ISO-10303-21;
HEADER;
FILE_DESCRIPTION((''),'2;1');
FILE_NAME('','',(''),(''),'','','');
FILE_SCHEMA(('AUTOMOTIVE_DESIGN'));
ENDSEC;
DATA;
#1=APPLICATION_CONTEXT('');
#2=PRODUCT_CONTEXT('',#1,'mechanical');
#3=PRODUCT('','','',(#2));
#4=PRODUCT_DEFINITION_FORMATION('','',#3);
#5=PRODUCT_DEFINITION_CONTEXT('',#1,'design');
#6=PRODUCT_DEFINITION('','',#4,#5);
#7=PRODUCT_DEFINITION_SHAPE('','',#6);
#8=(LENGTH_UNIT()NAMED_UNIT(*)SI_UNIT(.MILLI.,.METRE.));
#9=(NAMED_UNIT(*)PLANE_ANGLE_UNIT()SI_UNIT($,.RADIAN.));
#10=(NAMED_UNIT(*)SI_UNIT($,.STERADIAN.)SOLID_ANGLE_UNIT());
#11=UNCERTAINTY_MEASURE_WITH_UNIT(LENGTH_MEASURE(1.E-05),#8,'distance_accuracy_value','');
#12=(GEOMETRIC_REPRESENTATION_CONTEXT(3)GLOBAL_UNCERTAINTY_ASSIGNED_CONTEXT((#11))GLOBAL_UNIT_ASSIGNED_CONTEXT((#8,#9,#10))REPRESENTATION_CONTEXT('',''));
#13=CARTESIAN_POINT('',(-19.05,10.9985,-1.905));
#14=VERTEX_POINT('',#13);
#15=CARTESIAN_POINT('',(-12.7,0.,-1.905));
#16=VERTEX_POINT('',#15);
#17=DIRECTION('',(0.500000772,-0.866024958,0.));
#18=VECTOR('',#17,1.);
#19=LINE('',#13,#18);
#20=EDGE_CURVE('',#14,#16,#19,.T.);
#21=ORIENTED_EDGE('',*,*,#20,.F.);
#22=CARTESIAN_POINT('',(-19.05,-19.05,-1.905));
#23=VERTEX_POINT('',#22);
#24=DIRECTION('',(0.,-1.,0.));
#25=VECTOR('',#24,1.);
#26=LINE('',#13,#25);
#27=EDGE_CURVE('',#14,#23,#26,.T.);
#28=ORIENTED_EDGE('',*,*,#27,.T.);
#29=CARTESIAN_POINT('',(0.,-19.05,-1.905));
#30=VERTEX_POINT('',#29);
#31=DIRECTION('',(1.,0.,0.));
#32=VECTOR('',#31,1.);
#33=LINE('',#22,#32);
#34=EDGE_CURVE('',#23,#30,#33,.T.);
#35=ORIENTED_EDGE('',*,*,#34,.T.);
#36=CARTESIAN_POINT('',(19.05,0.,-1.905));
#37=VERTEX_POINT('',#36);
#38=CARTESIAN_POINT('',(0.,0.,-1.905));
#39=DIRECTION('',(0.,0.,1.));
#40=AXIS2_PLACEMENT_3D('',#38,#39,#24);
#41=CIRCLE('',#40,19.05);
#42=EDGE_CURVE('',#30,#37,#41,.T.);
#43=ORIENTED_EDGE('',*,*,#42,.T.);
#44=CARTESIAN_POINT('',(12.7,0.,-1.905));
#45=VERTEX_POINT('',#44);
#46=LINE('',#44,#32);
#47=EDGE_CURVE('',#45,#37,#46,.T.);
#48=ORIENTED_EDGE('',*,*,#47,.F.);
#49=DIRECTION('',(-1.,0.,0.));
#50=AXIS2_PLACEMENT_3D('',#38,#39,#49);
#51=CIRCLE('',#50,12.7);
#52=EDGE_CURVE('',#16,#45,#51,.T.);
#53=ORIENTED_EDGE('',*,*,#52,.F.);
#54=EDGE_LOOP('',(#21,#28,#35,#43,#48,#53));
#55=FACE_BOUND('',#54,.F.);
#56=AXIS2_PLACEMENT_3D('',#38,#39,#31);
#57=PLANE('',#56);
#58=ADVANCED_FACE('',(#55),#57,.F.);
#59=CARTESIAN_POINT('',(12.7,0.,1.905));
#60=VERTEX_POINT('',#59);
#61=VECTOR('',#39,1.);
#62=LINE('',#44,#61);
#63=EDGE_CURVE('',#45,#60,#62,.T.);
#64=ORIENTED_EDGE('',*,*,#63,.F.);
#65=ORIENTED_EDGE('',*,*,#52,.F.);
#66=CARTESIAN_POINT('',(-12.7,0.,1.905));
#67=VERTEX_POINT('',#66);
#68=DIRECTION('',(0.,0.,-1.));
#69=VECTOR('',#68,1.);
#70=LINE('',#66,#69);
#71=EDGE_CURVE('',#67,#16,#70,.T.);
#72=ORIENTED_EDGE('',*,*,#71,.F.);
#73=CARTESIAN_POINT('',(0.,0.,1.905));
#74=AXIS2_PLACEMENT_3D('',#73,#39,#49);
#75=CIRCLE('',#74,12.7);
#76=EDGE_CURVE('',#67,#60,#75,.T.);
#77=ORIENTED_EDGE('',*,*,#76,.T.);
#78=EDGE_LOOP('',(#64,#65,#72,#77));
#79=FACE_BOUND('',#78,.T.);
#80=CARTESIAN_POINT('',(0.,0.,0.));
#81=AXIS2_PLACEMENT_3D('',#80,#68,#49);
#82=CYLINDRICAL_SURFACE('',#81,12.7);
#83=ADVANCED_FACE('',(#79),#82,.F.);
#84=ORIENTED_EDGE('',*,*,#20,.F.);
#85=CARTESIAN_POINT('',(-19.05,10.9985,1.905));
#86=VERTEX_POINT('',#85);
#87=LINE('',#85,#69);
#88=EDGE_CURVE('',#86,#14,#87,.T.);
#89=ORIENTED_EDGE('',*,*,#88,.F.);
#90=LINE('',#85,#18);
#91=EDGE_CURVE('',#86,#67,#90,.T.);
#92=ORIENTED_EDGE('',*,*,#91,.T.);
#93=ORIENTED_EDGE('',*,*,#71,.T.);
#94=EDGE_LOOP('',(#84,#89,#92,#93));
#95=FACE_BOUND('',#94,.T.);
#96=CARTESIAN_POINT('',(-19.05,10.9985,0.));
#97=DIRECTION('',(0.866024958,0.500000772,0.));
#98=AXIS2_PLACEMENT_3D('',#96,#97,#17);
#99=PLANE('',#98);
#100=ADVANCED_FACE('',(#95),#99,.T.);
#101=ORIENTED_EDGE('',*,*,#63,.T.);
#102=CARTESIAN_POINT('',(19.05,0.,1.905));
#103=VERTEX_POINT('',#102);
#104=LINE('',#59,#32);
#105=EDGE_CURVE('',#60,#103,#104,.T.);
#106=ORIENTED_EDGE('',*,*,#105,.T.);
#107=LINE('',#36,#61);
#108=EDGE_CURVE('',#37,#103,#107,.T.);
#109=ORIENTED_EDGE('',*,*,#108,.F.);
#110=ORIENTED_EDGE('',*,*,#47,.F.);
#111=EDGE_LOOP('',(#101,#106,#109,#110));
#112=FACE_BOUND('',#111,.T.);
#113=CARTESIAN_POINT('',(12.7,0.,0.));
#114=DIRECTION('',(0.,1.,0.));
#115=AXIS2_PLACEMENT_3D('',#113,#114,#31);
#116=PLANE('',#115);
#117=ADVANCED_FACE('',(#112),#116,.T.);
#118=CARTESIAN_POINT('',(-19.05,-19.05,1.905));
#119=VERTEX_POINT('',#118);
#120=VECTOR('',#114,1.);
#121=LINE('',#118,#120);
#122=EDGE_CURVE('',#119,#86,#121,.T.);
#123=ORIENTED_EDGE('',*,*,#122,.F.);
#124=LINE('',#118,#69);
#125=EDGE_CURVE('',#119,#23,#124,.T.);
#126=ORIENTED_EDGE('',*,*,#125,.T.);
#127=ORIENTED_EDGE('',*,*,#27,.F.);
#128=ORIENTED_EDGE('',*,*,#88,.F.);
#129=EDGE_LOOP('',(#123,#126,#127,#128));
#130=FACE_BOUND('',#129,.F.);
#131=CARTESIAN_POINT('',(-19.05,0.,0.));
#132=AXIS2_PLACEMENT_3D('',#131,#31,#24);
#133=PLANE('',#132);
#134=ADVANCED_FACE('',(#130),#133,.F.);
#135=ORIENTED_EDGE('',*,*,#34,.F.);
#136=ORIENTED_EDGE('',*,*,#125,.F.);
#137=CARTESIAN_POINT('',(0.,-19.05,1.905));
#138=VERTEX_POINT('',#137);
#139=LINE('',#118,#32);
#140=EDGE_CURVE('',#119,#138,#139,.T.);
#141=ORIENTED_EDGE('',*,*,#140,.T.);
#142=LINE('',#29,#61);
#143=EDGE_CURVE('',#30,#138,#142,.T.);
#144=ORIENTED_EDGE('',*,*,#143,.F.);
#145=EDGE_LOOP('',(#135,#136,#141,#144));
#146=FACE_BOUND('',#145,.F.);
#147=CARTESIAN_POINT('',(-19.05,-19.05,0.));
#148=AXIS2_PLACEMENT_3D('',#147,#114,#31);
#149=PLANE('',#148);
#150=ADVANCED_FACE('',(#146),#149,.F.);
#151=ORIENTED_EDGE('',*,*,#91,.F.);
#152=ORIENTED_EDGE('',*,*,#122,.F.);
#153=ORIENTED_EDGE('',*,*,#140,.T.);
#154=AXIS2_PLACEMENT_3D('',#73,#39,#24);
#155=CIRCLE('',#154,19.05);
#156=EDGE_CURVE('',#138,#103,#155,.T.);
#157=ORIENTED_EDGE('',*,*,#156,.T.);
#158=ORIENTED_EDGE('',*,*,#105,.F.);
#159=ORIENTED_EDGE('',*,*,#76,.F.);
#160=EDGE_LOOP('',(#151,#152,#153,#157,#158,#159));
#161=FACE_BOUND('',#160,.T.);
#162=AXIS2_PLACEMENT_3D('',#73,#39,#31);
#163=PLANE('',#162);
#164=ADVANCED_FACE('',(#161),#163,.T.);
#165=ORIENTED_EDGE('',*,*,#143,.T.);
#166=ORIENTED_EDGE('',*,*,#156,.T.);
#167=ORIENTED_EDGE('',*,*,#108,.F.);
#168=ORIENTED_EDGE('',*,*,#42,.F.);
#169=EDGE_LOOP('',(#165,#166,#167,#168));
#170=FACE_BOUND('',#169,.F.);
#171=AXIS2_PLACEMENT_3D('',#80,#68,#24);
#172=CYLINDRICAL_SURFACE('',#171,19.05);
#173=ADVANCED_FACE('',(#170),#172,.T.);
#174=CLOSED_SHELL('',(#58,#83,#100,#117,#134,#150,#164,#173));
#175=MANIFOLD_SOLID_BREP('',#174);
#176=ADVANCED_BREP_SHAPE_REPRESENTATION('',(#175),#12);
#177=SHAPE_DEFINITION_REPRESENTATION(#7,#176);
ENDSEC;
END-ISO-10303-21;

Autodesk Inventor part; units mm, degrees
ref_plane "YZ Plane" through (0, 0, 0) normal (1, 0, 0) x (0, 1, 0)
ref_plane "XZ Plane" through (0, 0, 0) normal (0, 1, 0) x (-1, 0, 0)
ref_plane "XY Plane" through (0, 0, 0) normal (0, 0, 1) x (1, 0, 0)
sketch "Sketch1" plane through (0, 0, 0) normal (0, 0, 1) x (1, 0, 0)
  arc A0 (0, -19.05) -> (19.05, 0) centre (0, 0) ccw
  arc A1 (-12.7, 0) -> (12.7, 0) centre (0, 0) ccw
  line L0 (-19.05, 0) -> (19.05, 0) construction
  line L1 (-19.05, 0) -> (-19.05, -19.05)
  line L2 (-19.05, -19.05) -> (0, -19.05)
  line L3 (-19.05, 0) -> (-12.7, 0)
  line L4 (12.7, 0) -> (19.05, 0)
  circle A2 centre (0, 0) radius 19.05 construction
  dimension "d0" = 38.1
  dimension "d1" = 25.4
extrude "Extrusion1" add sketch "Sketch1" along normal mid plane 3.81
sketch "Sketch2" plane through (0, 0, 0) normal (0, 0, 1) x (1, 0, 0)
  line L0 (-19.05, 0) -> (-12.7, 0) projected
  line L1 (-19.05, -19.05) -> (-19.05, 0) projected
  line L2 (-19.05, 0) -> (-19.05, 10.9985)
  line L3 (-19.05, 10.9985) -> (-12.7, 0)
  line L4 (-12.7, 0) -> (-19.05, 0)
  point P0 (0, 0)
  dimension "d5" = 60
extrude "Extrusion2" add sketch "Sketch2" along normal mid plane 3.81
properties part number "hook"
